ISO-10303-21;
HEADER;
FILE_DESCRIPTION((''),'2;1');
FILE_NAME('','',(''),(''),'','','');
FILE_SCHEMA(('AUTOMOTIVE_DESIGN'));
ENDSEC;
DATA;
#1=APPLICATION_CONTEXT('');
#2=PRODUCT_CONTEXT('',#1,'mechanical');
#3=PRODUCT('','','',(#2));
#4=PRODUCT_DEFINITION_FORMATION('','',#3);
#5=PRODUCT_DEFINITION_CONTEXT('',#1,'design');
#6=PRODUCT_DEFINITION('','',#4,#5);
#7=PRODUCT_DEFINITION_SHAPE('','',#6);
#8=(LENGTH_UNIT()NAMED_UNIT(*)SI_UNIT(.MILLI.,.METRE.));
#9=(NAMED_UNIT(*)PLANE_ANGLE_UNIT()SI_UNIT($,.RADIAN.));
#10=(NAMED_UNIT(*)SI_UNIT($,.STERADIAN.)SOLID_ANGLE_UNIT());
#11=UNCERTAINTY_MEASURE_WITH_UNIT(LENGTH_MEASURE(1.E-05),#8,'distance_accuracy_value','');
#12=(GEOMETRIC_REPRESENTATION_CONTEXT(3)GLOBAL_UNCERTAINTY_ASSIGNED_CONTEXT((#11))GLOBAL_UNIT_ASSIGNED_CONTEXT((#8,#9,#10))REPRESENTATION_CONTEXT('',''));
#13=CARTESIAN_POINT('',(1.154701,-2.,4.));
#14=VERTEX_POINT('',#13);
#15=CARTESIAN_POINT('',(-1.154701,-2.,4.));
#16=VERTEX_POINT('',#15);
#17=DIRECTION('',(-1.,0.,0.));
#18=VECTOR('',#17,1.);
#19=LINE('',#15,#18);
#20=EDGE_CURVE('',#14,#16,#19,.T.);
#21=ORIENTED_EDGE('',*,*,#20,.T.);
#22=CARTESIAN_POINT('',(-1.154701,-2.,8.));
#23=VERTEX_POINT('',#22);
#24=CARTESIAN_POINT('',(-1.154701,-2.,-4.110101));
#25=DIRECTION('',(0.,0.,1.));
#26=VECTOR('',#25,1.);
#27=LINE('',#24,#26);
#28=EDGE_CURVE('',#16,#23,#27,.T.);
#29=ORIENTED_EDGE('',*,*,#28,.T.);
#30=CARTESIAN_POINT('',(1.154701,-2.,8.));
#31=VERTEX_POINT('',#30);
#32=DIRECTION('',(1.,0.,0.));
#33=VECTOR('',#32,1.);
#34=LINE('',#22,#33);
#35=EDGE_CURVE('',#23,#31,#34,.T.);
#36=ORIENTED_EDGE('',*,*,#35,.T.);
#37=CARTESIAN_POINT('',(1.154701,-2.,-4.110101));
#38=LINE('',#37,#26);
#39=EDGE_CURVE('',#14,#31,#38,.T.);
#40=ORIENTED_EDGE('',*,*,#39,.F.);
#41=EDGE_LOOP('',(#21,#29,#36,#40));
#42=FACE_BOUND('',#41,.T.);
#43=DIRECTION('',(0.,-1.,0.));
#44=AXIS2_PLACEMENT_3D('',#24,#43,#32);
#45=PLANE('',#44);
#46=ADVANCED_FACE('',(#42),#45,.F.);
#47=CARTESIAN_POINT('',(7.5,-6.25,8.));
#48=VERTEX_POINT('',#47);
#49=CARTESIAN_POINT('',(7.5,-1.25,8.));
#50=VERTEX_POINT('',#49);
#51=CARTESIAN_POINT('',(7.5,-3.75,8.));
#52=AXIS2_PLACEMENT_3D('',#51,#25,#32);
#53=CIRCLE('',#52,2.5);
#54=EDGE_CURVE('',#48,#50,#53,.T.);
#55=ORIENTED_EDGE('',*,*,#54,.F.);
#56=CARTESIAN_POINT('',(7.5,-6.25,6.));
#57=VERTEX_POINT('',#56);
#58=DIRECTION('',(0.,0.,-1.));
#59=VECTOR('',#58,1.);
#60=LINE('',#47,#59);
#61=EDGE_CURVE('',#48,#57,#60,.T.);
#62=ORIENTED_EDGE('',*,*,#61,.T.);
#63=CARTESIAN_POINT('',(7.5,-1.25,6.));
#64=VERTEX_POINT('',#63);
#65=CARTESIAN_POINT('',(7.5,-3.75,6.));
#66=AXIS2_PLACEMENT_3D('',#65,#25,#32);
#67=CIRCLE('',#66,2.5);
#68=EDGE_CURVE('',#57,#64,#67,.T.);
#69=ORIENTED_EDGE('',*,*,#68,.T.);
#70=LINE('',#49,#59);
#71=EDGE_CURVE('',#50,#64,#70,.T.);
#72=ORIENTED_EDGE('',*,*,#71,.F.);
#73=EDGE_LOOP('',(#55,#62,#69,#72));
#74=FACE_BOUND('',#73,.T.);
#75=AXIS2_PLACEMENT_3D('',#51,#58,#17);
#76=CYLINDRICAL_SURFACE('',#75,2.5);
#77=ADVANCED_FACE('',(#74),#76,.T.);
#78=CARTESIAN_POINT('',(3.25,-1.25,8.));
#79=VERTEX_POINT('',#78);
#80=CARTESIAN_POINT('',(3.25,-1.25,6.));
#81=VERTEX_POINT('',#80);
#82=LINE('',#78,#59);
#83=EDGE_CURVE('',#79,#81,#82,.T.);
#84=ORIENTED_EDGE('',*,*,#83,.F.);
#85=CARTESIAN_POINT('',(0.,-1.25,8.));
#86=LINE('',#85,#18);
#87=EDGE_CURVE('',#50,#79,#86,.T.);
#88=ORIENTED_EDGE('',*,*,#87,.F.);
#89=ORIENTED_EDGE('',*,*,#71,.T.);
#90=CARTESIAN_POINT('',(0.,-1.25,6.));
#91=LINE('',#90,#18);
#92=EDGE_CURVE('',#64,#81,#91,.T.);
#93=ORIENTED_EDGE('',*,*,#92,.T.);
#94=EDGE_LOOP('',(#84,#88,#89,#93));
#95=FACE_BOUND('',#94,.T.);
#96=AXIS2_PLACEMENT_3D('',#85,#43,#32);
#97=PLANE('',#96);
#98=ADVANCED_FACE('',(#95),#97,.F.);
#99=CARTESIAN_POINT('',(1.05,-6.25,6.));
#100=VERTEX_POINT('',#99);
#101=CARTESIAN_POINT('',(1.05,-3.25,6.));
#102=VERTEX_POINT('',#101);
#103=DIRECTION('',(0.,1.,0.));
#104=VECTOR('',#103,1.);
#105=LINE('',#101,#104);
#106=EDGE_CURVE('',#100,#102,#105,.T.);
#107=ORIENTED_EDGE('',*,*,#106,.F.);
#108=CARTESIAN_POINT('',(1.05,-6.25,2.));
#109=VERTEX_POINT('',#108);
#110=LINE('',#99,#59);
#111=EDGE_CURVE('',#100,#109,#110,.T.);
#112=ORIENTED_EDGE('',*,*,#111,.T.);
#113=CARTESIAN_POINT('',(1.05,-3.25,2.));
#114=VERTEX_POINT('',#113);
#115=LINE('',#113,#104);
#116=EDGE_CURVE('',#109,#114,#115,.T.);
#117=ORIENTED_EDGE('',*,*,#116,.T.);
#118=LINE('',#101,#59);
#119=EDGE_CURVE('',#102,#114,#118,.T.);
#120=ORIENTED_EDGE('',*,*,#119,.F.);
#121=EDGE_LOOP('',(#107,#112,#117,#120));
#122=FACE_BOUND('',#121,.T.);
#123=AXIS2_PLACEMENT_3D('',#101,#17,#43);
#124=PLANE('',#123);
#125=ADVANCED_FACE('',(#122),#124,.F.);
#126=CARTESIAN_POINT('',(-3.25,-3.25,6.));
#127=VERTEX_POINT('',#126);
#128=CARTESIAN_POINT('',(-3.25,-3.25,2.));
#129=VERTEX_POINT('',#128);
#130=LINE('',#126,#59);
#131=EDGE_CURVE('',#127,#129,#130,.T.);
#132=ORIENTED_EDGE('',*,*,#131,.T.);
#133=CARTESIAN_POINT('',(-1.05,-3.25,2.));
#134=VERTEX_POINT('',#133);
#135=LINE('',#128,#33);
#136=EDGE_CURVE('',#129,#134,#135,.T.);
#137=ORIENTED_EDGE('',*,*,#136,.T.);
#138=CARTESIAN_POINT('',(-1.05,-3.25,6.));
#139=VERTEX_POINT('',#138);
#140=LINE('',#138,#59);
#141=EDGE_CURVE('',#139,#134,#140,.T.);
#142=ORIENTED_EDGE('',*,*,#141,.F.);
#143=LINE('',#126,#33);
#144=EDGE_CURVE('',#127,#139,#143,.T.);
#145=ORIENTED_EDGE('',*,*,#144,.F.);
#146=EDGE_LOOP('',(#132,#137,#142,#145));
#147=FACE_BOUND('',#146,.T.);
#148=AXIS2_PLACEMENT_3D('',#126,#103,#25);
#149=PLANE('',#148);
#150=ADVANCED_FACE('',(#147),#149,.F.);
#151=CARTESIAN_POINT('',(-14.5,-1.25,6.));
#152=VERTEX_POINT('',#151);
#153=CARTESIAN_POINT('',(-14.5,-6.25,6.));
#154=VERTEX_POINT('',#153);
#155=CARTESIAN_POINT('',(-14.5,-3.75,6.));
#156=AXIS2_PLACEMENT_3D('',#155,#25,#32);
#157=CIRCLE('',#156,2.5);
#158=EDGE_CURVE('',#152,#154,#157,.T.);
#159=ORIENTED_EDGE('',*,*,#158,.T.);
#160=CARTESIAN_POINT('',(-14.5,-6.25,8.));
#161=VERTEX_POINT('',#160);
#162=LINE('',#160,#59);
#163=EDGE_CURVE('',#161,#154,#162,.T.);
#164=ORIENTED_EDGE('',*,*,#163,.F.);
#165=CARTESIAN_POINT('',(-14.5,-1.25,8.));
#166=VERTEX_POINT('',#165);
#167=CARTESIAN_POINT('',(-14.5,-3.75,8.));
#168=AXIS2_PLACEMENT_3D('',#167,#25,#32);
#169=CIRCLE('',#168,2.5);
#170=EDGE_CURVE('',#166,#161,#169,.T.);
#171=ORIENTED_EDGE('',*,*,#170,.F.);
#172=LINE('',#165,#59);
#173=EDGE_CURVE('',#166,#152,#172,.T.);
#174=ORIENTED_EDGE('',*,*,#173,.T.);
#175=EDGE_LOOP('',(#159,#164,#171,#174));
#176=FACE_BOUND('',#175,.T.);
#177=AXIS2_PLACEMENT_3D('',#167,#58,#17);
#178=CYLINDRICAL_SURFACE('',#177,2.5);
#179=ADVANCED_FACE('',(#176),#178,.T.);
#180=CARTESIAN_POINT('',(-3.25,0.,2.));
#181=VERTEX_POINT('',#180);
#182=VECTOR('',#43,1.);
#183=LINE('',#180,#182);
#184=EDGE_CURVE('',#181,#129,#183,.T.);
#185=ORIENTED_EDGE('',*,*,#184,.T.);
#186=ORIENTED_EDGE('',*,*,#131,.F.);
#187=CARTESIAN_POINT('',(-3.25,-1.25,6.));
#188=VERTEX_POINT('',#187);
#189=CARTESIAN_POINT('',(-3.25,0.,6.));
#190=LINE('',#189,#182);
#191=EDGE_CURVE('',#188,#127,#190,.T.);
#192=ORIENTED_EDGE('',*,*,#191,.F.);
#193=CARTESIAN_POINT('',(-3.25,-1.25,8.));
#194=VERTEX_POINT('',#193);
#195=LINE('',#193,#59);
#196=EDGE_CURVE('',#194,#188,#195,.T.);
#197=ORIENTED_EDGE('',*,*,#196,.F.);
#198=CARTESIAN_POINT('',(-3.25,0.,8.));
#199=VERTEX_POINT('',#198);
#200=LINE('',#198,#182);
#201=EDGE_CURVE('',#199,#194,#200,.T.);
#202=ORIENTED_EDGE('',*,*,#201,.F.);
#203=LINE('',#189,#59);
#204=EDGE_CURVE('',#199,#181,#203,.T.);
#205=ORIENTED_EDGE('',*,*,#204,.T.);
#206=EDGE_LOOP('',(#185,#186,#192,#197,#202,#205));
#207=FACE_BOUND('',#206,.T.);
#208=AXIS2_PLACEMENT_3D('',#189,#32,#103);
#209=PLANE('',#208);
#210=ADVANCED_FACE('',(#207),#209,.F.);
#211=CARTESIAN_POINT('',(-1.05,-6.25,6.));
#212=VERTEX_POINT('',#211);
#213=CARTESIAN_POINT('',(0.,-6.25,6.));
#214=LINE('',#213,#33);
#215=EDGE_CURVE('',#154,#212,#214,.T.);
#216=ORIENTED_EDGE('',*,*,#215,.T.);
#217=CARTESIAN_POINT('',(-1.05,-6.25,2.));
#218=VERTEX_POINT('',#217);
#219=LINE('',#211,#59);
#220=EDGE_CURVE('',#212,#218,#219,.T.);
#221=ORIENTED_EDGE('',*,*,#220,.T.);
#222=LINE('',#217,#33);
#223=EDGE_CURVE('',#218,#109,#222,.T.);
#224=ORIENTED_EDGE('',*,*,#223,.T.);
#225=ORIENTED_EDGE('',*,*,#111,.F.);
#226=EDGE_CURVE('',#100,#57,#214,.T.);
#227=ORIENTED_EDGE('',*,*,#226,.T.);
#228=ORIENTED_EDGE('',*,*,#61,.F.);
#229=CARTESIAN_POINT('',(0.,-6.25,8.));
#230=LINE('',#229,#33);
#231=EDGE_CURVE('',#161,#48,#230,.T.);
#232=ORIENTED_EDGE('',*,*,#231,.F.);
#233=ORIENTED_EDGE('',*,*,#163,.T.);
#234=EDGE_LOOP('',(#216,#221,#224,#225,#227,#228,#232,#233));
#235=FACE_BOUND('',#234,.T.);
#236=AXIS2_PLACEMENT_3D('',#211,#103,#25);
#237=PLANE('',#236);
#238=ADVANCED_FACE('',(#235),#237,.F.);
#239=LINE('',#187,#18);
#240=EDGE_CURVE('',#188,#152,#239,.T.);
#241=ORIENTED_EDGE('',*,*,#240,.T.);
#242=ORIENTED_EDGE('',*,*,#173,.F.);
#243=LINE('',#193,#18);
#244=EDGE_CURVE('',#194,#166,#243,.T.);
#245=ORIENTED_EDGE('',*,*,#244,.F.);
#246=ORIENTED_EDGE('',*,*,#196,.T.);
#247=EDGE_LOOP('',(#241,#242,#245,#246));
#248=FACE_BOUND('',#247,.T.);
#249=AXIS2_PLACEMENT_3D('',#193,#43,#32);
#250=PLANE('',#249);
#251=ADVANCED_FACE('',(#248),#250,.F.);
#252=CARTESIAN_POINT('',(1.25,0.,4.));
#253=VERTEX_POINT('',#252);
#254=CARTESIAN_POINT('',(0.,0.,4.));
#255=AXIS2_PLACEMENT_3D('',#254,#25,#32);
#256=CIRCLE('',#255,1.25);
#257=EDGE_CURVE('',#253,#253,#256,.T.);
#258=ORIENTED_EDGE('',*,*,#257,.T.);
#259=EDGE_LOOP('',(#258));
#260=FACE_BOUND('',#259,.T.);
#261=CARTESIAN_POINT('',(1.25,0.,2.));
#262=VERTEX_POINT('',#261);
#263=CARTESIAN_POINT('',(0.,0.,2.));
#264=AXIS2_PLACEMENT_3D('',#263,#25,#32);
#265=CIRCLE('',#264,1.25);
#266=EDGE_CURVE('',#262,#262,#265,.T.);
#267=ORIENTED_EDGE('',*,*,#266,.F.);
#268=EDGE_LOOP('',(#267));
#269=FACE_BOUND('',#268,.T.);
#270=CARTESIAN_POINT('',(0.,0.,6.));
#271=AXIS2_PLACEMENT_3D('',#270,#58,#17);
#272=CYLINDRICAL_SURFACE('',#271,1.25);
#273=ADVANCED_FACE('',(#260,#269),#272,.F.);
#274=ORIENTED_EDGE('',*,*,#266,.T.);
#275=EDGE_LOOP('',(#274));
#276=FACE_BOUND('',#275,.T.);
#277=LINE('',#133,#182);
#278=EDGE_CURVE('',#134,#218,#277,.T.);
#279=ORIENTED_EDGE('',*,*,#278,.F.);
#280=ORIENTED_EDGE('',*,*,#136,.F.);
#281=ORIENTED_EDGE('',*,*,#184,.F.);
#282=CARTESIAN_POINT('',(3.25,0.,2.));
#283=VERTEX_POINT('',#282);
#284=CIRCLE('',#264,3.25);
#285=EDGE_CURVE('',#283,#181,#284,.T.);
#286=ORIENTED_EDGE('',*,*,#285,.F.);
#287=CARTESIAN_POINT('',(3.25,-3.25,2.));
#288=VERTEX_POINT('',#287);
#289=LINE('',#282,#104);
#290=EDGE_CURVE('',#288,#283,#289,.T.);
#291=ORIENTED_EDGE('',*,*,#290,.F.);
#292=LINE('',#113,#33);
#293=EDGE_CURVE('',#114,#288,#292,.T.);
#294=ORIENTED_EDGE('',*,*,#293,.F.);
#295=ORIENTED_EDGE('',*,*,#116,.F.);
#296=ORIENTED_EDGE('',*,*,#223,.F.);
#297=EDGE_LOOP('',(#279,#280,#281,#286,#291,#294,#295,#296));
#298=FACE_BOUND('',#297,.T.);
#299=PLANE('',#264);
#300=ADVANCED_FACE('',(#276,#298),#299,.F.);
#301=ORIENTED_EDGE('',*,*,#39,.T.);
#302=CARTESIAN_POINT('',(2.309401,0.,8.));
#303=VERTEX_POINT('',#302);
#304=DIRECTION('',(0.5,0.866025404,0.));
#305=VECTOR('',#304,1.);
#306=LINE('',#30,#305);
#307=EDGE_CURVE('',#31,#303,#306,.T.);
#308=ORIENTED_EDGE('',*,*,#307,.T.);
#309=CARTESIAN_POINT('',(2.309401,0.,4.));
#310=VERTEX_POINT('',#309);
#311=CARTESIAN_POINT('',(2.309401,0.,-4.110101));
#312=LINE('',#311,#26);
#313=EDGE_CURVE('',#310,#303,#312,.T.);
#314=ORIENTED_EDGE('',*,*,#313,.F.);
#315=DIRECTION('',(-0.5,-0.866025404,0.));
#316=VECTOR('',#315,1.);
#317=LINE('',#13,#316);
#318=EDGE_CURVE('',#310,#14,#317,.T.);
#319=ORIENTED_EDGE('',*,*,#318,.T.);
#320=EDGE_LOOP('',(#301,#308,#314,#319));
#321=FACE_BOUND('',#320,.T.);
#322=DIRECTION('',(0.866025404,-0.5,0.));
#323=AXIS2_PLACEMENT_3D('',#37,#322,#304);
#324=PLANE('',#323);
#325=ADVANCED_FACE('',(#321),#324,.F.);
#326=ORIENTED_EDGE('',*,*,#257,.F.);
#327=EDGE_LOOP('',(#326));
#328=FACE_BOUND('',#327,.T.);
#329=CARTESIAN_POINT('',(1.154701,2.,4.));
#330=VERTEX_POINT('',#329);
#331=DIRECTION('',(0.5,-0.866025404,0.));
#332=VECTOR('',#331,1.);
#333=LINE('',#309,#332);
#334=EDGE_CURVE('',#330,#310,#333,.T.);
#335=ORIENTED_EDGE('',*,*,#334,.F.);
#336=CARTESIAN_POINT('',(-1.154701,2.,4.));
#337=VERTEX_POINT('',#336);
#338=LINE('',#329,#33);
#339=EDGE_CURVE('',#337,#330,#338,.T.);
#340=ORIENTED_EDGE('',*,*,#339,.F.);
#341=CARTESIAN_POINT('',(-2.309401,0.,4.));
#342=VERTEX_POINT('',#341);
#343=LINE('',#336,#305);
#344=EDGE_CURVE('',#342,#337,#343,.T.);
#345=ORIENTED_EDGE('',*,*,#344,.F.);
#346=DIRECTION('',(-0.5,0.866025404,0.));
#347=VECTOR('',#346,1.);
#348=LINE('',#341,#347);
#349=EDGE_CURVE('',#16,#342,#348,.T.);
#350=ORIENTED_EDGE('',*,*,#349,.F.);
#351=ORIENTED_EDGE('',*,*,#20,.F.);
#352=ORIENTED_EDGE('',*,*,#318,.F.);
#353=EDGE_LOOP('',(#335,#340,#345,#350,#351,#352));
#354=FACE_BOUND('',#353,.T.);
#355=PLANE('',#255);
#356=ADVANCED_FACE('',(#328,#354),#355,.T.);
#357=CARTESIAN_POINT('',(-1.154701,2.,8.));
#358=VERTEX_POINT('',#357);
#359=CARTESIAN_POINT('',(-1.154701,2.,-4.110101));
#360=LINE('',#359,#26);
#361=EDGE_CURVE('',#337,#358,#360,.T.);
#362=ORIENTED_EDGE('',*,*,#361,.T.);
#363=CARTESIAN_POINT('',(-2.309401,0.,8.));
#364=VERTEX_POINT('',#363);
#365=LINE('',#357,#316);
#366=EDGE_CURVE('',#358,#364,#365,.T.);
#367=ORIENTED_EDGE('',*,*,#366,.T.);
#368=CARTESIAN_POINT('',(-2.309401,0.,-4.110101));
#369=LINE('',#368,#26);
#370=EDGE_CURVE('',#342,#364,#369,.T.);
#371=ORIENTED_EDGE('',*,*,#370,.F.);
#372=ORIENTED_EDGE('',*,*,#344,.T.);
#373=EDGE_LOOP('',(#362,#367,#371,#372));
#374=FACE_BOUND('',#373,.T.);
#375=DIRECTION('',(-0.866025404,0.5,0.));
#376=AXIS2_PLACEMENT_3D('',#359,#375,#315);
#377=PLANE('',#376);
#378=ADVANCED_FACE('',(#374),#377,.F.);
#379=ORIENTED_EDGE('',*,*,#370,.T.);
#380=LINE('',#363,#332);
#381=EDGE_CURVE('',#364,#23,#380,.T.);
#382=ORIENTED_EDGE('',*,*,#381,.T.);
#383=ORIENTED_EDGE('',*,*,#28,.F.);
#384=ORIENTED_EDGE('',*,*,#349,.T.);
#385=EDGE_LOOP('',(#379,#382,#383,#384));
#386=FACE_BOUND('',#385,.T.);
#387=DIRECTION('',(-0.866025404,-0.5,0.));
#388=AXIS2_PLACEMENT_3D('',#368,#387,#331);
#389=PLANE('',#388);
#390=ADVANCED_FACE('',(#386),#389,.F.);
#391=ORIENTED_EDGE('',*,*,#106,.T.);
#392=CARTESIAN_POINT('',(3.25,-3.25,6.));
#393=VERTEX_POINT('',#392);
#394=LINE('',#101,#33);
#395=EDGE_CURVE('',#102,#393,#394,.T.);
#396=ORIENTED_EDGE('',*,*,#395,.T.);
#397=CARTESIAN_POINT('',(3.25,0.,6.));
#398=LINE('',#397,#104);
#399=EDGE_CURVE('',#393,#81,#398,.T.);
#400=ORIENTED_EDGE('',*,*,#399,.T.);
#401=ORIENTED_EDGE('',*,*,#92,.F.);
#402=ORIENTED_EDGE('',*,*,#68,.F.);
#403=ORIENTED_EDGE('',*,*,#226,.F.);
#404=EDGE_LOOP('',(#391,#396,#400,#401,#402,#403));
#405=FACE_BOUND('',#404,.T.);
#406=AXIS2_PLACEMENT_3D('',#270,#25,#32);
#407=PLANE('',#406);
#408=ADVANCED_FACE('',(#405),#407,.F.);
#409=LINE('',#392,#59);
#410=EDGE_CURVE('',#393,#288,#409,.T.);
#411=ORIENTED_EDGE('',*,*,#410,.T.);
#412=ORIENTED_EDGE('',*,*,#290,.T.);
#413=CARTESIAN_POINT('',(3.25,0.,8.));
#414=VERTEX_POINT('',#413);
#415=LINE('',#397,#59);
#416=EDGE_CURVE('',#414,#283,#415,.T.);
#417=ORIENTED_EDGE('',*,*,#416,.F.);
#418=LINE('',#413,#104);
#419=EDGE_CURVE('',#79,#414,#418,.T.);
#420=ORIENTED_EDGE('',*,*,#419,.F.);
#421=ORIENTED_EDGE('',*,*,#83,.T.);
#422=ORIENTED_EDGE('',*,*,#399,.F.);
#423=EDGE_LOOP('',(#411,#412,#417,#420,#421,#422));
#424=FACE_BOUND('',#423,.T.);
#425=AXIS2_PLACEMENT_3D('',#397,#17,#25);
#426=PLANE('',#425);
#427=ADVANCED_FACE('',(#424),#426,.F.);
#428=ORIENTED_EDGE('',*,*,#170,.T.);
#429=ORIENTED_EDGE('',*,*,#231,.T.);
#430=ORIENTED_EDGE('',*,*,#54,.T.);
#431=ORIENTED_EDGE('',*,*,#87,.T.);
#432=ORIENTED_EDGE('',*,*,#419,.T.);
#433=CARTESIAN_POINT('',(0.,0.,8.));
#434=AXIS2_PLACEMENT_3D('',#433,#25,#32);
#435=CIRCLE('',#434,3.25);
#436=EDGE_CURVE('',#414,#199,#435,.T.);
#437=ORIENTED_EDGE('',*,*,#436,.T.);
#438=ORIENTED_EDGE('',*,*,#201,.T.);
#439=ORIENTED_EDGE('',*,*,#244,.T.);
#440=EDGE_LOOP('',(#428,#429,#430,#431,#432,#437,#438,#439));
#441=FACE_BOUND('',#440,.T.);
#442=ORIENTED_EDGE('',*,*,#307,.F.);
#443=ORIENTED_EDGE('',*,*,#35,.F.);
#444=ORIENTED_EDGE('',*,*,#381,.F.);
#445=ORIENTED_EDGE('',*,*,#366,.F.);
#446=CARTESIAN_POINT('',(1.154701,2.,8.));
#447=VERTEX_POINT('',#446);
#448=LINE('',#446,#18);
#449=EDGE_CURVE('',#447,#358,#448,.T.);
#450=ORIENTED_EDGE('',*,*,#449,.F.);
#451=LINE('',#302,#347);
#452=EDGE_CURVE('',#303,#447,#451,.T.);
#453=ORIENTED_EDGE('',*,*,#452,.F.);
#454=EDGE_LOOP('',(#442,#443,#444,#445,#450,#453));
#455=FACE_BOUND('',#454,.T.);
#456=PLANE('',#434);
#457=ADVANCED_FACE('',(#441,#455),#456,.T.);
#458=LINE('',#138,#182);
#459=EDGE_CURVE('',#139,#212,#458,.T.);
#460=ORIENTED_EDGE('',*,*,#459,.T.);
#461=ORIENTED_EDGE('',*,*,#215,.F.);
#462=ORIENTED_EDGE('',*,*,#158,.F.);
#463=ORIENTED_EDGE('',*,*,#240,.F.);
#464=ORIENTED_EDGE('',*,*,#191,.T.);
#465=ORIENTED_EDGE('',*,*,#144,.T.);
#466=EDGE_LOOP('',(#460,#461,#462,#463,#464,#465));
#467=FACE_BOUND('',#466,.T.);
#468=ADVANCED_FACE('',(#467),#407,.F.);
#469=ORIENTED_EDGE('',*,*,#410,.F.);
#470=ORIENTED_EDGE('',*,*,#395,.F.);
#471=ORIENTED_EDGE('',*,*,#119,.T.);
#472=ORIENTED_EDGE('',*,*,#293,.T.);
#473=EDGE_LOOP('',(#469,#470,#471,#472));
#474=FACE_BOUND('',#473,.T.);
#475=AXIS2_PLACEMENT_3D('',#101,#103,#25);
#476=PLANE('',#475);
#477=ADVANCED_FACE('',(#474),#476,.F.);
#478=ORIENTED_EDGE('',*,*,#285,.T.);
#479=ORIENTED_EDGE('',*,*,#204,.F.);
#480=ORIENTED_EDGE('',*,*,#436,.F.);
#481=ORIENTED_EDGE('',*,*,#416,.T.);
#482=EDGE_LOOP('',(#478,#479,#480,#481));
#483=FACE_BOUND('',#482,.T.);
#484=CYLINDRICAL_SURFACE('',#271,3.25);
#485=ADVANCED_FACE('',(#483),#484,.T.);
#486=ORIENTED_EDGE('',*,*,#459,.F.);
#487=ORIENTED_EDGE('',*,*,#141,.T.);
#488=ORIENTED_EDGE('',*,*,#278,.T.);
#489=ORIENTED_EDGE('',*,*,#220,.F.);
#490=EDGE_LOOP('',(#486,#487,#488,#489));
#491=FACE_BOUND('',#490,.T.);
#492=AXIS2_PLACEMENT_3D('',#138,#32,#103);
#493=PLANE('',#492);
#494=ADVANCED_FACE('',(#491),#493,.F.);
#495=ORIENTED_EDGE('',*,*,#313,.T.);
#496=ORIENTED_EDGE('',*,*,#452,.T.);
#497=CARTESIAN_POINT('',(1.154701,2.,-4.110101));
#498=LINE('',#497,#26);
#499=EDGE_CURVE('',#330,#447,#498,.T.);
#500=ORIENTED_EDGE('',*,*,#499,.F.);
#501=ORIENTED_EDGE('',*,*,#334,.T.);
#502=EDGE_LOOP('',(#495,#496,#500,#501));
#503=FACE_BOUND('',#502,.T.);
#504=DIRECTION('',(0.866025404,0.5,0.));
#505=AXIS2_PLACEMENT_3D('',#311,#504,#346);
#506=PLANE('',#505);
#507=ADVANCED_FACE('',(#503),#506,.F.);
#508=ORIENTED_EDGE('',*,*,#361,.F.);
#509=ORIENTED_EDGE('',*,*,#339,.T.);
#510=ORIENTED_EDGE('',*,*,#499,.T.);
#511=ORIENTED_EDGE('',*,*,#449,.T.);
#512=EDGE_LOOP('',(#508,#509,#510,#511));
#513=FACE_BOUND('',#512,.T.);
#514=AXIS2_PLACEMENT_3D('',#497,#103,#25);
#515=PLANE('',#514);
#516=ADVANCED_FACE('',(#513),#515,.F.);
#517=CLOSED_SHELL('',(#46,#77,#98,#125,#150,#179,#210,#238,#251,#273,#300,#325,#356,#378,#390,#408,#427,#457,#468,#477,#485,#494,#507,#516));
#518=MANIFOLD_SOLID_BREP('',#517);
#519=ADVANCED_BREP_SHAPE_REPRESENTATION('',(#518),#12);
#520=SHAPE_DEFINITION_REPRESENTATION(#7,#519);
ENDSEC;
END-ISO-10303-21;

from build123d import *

# Parameters (mm, degrees)
SKETCH1_R           = 1.25
BOSS_EXTRUDE1_DEPTH = 2
SKETCH2_W           = 6
SKETCH2_H           = 2.8
BOSS_EXTRUDE2_DEPTH = 4
SKETCH3_R           = 1.25
BOSS_EXTRUDE3_DEPTH = 4
BOSS_EXTRUDE4_DEPTH = 2
CUT_EXTRUDE1_DEPTH  = 4


with BuildPart() as part:
    # Sketch1 → Boss-Extrude1 (new body)
    with BuildSketch(Plane.XY):
        with BuildLine():
            Line((-14.5, -1.25), (-3.25, -1.25))
            Line((-3.25, -1.25), (-3.25, 0))
            ThreePointArc((-3.25, 0), (0, 3.25), (3.25, 0))
            Line((3.25, 0), (3.25, -1.25))
            Line((3.25, -1.25), (7.5, -1.25))
            ThreePointArc((7.5, -1.25), (10, -3.75), (7.5, -6.25))
            Line((7.5, -6.25), (-14.5, -6.25))
            ThreePointArc((-14.5, -6.25), (-17, -3.75), (-14.5, -1.25))
        make_face()
        Circle(SKETCH1_R, mode=Mode.SUBTRACT)
    extrude(amount=BOSS_EXTRUDE1_DEPTH)

    # Sketch2 → Boss-Extrude2 (add)
    with BuildSketch(Plane.XY.offset(2)):
        with BuildLine():
            Line((-15, -6.199489743), (-15, -1.300510257))
            ThreePointArc((-15, -1.300510257), (-17, -3.75), (-15, -6.199489743))
        make_face()
        with Locations((0, -4.85)):
            Rectangle(SKETCH2_W, SKETCH2_H)
        with BuildLine():
            Line((8, -1.300510257), (8, -6.199489743))
            ThreePointArc((8, -6.199489743), (10, -3.75), (8, -1.300510257))
        make_face()
    extrude(amount=BOSS_EXTRUDE2_DEPTH)


with BuildPart() as body_2:
    # Sketch3 → Boss-Extrude3 (new body)
    with BuildSketch(Plane.XY.offset(2)):
        with BuildLine():
            Line((-3.25, 0), (-3.25, -3.25))
            Line((-3.25, -3.25), (-1.05, -3.25))
            Line((-1.05, -3.25), (-1.05, -6.25))
            Line((-1.05, -6.25), (1.05, -6.25))
            Line((1.05, -6.25), (1.05, -3.25))
            Line((1.05, -3.25), (3.25, -3.25))
            Line((3.25, -3.25), (3.25, 0))
            ThreePointArc((3.25, 0), (0, 3.25), (-3.25, 0))
        make_face()
        Circle(SKETCH3_R, mode=Mode.SUBTRACT)
    extrude(amount=BOSS_EXTRUDE3_DEPTH)

    # Sketch4 → Boss-Extrude4 (add)
    with BuildSketch(Plane.XY.offset(6)):
        with BuildLine():
            Line((7.5, -1.25), (3.25, -1.25))
            Line((3.25, -1.25), (3.25, 0))
            ThreePointArc((3.25, 0), (0, 3.25), (-3.25, 0))
            Line((-3.25, 0), (-3.25, -1.25))
            Line((-3.25, -1.25), (-14.5, -1.25))
            ThreePointArc((-14.5, -1.25), (-17, -3.75), (-14.5, -6.25))
            Line((-14.5, -6.25), (7.5, -6.25))
            ThreePointArc((7.5, -6.25), (10, -3.75), (7.5, -1.25))
        make_face()
    extrude(amount=BOSS_EXTRUDE4_DEPTH)

    # Sketch5 → Cut-Extrude1 (cut)
    with BuildSketch(Plane.XY.offset(8)):
        Polygon((1.154700538, 2), (-1.154700538, 2), (-2.309401077, 0), (-1.154700538, -2), (1.154700538, -2), (2.309401077, 0), align=None)
    extrude(amount=-CUT_EXTRUDE1_DEPTH, mode=Mode.SUBTRACT)


solid = body_2.part
